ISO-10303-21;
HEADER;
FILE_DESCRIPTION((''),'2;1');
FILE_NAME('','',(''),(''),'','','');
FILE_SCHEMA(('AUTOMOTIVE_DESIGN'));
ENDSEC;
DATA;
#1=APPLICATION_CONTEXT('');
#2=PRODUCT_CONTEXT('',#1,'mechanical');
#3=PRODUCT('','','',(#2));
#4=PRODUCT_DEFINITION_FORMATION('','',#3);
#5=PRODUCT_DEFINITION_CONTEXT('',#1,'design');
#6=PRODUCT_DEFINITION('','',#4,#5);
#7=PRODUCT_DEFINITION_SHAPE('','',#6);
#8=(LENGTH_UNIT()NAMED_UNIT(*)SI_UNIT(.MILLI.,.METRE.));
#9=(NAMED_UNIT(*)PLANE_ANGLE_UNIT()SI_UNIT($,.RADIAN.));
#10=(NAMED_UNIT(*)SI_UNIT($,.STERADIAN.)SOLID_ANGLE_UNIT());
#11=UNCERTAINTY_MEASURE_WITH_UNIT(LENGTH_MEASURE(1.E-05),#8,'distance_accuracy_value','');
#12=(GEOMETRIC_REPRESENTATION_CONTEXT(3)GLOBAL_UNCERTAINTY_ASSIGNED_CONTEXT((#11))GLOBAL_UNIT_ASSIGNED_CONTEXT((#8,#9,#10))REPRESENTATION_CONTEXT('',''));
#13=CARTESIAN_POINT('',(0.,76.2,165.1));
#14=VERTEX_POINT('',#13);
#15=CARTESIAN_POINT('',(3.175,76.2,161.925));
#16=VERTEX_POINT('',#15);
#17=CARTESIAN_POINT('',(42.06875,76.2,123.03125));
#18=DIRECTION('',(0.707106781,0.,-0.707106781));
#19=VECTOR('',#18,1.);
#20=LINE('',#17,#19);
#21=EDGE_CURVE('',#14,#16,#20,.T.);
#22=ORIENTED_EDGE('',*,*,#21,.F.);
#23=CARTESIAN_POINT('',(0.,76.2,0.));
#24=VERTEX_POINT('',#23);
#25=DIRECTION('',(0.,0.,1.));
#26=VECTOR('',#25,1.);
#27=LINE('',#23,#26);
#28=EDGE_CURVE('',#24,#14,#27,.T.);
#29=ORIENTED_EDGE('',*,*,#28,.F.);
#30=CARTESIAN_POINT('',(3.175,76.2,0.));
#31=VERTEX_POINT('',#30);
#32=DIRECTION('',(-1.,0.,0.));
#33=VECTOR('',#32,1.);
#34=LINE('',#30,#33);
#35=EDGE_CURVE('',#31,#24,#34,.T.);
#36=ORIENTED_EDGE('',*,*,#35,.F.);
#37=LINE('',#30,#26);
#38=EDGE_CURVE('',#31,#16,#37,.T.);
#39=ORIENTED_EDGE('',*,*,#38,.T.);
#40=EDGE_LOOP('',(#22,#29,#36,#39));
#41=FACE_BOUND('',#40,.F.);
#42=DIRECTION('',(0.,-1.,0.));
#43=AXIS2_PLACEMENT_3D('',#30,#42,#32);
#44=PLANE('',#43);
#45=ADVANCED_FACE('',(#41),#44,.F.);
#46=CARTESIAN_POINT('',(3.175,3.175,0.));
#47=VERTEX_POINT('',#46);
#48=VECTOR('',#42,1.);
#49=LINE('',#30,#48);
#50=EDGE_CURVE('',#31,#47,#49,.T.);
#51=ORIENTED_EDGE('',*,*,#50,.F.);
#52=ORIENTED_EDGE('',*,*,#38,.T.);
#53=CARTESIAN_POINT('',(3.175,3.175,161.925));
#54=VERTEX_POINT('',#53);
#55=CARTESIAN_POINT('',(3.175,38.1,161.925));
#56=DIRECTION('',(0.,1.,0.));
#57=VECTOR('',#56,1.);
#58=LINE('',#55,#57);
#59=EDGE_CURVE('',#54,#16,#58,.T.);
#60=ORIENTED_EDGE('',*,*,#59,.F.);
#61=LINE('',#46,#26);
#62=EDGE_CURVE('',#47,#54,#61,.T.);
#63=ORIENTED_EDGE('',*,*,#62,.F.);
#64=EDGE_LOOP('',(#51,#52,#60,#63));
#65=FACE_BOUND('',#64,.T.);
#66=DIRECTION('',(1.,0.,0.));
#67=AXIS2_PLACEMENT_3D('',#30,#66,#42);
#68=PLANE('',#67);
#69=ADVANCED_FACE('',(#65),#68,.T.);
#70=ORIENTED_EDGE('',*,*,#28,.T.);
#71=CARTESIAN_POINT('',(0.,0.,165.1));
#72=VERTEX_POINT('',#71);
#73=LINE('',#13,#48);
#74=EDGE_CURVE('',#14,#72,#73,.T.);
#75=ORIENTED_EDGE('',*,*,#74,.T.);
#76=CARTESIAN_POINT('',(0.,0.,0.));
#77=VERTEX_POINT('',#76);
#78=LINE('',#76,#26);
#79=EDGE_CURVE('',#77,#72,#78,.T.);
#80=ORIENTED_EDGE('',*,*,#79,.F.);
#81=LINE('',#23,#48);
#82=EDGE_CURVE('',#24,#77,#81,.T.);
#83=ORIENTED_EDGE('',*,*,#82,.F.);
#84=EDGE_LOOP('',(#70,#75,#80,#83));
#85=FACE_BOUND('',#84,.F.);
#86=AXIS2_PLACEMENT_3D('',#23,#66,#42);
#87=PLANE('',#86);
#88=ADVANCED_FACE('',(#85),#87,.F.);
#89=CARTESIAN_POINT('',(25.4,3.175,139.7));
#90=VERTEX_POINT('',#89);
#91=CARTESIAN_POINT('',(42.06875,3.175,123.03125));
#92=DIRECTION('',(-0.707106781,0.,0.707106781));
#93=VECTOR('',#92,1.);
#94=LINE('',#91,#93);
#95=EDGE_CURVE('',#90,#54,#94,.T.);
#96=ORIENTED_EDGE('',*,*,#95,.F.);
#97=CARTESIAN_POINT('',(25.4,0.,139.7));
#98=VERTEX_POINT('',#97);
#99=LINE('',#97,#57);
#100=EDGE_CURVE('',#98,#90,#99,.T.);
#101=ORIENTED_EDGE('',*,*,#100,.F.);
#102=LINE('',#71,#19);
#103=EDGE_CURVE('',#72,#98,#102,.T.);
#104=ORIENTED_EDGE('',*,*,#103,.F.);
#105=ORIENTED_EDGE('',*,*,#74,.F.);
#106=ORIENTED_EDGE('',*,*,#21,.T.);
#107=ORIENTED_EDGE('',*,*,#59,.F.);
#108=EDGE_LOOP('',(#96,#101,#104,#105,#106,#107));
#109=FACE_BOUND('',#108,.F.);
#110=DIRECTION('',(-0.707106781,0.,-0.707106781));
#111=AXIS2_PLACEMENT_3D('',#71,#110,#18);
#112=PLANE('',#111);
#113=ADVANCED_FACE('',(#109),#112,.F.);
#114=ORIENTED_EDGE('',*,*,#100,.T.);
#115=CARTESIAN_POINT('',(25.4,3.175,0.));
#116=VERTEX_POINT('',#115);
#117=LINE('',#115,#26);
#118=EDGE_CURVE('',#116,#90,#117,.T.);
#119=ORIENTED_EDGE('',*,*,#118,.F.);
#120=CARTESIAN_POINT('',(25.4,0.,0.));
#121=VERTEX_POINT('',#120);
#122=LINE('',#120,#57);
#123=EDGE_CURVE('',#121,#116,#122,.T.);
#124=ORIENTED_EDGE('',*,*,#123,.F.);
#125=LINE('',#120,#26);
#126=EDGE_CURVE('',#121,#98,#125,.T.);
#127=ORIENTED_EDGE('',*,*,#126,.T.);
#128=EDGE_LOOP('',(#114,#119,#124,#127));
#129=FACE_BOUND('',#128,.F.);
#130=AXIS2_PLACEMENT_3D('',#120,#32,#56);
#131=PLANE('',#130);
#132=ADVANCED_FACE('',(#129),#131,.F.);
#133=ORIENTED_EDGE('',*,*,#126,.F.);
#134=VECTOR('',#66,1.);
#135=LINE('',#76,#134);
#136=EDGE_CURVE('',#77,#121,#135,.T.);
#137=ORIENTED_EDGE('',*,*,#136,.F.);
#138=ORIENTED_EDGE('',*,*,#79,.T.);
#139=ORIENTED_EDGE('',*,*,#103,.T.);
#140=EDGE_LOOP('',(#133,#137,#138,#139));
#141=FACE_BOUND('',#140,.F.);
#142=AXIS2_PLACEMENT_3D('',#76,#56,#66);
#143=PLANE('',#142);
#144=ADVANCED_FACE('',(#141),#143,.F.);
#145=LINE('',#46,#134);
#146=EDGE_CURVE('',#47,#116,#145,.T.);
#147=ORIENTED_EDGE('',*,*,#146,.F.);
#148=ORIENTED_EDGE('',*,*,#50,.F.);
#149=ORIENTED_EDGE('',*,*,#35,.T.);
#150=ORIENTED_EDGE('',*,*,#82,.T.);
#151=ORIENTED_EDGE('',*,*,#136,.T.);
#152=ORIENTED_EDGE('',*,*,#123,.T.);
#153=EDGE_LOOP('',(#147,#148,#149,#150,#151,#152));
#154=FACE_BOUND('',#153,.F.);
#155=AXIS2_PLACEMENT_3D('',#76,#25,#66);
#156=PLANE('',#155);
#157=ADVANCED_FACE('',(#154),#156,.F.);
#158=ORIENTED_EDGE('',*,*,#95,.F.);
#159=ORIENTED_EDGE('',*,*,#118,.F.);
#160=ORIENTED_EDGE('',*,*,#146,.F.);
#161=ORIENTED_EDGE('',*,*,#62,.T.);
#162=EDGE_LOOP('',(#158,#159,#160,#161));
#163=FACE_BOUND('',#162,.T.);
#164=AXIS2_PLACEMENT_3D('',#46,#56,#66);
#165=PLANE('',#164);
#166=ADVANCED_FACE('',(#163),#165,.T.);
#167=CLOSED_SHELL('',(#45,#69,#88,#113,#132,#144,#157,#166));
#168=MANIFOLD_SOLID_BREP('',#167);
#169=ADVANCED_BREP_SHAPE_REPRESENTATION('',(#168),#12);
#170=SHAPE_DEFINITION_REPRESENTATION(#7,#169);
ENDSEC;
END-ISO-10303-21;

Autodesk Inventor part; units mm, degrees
ref_plane "YZ Plane" through (0, 0, 0) normal (1, 0, 0) x (0, 1, 0)
ref_plane "XZ Plane" through (0, 0, 0) normal (0, 1, 0) x (-1, 0, 0)
ref_plane "XY Plane" through (0, 0, 0) normal (0, 0, 1) x (1, 0, 0)
sketch "Sketch1" plane through (0, 0, 0) normal (0, 0, 1) x (1, 0, 0)
  line L0 (0, 0) -> (25.4, 0)
  line L1 (25.4, 0) -> (25.4, 3.175)
  line L2 (3.175, 76.2) -> (0, 76.2)
  line L3 (0, 76.2) -> (0, 0)
  line L4 (3.175, 3.175) -> (25.4, 3.175)
  line L5 (3.175, 76.2) -> (3.175, 3.175)
  dimension "d0" = 3.175
  dimension "d1" = 76.2
  dimension "d2" = 25.4
extrude "Extrusion1" add sketch "Sketch1" along normal blind 165.1
sketch "Sketch2" plane through (0, 0, 0) normal (0, -1, 0) x (1, 0, 0)
  line L0 (25.4, 165.1) -> (0, 165.1) projected
  line L1 (25.4, 0) -> (25.4, 165.1) projected
  line L2 (0, 165.1) -> (25.4, 139.7)
  dimension "d5" = 45
extrude "Extrusion2" cut sketch "Sketch2" against normal through all
properties part number "frame corner L 1 by 3"
